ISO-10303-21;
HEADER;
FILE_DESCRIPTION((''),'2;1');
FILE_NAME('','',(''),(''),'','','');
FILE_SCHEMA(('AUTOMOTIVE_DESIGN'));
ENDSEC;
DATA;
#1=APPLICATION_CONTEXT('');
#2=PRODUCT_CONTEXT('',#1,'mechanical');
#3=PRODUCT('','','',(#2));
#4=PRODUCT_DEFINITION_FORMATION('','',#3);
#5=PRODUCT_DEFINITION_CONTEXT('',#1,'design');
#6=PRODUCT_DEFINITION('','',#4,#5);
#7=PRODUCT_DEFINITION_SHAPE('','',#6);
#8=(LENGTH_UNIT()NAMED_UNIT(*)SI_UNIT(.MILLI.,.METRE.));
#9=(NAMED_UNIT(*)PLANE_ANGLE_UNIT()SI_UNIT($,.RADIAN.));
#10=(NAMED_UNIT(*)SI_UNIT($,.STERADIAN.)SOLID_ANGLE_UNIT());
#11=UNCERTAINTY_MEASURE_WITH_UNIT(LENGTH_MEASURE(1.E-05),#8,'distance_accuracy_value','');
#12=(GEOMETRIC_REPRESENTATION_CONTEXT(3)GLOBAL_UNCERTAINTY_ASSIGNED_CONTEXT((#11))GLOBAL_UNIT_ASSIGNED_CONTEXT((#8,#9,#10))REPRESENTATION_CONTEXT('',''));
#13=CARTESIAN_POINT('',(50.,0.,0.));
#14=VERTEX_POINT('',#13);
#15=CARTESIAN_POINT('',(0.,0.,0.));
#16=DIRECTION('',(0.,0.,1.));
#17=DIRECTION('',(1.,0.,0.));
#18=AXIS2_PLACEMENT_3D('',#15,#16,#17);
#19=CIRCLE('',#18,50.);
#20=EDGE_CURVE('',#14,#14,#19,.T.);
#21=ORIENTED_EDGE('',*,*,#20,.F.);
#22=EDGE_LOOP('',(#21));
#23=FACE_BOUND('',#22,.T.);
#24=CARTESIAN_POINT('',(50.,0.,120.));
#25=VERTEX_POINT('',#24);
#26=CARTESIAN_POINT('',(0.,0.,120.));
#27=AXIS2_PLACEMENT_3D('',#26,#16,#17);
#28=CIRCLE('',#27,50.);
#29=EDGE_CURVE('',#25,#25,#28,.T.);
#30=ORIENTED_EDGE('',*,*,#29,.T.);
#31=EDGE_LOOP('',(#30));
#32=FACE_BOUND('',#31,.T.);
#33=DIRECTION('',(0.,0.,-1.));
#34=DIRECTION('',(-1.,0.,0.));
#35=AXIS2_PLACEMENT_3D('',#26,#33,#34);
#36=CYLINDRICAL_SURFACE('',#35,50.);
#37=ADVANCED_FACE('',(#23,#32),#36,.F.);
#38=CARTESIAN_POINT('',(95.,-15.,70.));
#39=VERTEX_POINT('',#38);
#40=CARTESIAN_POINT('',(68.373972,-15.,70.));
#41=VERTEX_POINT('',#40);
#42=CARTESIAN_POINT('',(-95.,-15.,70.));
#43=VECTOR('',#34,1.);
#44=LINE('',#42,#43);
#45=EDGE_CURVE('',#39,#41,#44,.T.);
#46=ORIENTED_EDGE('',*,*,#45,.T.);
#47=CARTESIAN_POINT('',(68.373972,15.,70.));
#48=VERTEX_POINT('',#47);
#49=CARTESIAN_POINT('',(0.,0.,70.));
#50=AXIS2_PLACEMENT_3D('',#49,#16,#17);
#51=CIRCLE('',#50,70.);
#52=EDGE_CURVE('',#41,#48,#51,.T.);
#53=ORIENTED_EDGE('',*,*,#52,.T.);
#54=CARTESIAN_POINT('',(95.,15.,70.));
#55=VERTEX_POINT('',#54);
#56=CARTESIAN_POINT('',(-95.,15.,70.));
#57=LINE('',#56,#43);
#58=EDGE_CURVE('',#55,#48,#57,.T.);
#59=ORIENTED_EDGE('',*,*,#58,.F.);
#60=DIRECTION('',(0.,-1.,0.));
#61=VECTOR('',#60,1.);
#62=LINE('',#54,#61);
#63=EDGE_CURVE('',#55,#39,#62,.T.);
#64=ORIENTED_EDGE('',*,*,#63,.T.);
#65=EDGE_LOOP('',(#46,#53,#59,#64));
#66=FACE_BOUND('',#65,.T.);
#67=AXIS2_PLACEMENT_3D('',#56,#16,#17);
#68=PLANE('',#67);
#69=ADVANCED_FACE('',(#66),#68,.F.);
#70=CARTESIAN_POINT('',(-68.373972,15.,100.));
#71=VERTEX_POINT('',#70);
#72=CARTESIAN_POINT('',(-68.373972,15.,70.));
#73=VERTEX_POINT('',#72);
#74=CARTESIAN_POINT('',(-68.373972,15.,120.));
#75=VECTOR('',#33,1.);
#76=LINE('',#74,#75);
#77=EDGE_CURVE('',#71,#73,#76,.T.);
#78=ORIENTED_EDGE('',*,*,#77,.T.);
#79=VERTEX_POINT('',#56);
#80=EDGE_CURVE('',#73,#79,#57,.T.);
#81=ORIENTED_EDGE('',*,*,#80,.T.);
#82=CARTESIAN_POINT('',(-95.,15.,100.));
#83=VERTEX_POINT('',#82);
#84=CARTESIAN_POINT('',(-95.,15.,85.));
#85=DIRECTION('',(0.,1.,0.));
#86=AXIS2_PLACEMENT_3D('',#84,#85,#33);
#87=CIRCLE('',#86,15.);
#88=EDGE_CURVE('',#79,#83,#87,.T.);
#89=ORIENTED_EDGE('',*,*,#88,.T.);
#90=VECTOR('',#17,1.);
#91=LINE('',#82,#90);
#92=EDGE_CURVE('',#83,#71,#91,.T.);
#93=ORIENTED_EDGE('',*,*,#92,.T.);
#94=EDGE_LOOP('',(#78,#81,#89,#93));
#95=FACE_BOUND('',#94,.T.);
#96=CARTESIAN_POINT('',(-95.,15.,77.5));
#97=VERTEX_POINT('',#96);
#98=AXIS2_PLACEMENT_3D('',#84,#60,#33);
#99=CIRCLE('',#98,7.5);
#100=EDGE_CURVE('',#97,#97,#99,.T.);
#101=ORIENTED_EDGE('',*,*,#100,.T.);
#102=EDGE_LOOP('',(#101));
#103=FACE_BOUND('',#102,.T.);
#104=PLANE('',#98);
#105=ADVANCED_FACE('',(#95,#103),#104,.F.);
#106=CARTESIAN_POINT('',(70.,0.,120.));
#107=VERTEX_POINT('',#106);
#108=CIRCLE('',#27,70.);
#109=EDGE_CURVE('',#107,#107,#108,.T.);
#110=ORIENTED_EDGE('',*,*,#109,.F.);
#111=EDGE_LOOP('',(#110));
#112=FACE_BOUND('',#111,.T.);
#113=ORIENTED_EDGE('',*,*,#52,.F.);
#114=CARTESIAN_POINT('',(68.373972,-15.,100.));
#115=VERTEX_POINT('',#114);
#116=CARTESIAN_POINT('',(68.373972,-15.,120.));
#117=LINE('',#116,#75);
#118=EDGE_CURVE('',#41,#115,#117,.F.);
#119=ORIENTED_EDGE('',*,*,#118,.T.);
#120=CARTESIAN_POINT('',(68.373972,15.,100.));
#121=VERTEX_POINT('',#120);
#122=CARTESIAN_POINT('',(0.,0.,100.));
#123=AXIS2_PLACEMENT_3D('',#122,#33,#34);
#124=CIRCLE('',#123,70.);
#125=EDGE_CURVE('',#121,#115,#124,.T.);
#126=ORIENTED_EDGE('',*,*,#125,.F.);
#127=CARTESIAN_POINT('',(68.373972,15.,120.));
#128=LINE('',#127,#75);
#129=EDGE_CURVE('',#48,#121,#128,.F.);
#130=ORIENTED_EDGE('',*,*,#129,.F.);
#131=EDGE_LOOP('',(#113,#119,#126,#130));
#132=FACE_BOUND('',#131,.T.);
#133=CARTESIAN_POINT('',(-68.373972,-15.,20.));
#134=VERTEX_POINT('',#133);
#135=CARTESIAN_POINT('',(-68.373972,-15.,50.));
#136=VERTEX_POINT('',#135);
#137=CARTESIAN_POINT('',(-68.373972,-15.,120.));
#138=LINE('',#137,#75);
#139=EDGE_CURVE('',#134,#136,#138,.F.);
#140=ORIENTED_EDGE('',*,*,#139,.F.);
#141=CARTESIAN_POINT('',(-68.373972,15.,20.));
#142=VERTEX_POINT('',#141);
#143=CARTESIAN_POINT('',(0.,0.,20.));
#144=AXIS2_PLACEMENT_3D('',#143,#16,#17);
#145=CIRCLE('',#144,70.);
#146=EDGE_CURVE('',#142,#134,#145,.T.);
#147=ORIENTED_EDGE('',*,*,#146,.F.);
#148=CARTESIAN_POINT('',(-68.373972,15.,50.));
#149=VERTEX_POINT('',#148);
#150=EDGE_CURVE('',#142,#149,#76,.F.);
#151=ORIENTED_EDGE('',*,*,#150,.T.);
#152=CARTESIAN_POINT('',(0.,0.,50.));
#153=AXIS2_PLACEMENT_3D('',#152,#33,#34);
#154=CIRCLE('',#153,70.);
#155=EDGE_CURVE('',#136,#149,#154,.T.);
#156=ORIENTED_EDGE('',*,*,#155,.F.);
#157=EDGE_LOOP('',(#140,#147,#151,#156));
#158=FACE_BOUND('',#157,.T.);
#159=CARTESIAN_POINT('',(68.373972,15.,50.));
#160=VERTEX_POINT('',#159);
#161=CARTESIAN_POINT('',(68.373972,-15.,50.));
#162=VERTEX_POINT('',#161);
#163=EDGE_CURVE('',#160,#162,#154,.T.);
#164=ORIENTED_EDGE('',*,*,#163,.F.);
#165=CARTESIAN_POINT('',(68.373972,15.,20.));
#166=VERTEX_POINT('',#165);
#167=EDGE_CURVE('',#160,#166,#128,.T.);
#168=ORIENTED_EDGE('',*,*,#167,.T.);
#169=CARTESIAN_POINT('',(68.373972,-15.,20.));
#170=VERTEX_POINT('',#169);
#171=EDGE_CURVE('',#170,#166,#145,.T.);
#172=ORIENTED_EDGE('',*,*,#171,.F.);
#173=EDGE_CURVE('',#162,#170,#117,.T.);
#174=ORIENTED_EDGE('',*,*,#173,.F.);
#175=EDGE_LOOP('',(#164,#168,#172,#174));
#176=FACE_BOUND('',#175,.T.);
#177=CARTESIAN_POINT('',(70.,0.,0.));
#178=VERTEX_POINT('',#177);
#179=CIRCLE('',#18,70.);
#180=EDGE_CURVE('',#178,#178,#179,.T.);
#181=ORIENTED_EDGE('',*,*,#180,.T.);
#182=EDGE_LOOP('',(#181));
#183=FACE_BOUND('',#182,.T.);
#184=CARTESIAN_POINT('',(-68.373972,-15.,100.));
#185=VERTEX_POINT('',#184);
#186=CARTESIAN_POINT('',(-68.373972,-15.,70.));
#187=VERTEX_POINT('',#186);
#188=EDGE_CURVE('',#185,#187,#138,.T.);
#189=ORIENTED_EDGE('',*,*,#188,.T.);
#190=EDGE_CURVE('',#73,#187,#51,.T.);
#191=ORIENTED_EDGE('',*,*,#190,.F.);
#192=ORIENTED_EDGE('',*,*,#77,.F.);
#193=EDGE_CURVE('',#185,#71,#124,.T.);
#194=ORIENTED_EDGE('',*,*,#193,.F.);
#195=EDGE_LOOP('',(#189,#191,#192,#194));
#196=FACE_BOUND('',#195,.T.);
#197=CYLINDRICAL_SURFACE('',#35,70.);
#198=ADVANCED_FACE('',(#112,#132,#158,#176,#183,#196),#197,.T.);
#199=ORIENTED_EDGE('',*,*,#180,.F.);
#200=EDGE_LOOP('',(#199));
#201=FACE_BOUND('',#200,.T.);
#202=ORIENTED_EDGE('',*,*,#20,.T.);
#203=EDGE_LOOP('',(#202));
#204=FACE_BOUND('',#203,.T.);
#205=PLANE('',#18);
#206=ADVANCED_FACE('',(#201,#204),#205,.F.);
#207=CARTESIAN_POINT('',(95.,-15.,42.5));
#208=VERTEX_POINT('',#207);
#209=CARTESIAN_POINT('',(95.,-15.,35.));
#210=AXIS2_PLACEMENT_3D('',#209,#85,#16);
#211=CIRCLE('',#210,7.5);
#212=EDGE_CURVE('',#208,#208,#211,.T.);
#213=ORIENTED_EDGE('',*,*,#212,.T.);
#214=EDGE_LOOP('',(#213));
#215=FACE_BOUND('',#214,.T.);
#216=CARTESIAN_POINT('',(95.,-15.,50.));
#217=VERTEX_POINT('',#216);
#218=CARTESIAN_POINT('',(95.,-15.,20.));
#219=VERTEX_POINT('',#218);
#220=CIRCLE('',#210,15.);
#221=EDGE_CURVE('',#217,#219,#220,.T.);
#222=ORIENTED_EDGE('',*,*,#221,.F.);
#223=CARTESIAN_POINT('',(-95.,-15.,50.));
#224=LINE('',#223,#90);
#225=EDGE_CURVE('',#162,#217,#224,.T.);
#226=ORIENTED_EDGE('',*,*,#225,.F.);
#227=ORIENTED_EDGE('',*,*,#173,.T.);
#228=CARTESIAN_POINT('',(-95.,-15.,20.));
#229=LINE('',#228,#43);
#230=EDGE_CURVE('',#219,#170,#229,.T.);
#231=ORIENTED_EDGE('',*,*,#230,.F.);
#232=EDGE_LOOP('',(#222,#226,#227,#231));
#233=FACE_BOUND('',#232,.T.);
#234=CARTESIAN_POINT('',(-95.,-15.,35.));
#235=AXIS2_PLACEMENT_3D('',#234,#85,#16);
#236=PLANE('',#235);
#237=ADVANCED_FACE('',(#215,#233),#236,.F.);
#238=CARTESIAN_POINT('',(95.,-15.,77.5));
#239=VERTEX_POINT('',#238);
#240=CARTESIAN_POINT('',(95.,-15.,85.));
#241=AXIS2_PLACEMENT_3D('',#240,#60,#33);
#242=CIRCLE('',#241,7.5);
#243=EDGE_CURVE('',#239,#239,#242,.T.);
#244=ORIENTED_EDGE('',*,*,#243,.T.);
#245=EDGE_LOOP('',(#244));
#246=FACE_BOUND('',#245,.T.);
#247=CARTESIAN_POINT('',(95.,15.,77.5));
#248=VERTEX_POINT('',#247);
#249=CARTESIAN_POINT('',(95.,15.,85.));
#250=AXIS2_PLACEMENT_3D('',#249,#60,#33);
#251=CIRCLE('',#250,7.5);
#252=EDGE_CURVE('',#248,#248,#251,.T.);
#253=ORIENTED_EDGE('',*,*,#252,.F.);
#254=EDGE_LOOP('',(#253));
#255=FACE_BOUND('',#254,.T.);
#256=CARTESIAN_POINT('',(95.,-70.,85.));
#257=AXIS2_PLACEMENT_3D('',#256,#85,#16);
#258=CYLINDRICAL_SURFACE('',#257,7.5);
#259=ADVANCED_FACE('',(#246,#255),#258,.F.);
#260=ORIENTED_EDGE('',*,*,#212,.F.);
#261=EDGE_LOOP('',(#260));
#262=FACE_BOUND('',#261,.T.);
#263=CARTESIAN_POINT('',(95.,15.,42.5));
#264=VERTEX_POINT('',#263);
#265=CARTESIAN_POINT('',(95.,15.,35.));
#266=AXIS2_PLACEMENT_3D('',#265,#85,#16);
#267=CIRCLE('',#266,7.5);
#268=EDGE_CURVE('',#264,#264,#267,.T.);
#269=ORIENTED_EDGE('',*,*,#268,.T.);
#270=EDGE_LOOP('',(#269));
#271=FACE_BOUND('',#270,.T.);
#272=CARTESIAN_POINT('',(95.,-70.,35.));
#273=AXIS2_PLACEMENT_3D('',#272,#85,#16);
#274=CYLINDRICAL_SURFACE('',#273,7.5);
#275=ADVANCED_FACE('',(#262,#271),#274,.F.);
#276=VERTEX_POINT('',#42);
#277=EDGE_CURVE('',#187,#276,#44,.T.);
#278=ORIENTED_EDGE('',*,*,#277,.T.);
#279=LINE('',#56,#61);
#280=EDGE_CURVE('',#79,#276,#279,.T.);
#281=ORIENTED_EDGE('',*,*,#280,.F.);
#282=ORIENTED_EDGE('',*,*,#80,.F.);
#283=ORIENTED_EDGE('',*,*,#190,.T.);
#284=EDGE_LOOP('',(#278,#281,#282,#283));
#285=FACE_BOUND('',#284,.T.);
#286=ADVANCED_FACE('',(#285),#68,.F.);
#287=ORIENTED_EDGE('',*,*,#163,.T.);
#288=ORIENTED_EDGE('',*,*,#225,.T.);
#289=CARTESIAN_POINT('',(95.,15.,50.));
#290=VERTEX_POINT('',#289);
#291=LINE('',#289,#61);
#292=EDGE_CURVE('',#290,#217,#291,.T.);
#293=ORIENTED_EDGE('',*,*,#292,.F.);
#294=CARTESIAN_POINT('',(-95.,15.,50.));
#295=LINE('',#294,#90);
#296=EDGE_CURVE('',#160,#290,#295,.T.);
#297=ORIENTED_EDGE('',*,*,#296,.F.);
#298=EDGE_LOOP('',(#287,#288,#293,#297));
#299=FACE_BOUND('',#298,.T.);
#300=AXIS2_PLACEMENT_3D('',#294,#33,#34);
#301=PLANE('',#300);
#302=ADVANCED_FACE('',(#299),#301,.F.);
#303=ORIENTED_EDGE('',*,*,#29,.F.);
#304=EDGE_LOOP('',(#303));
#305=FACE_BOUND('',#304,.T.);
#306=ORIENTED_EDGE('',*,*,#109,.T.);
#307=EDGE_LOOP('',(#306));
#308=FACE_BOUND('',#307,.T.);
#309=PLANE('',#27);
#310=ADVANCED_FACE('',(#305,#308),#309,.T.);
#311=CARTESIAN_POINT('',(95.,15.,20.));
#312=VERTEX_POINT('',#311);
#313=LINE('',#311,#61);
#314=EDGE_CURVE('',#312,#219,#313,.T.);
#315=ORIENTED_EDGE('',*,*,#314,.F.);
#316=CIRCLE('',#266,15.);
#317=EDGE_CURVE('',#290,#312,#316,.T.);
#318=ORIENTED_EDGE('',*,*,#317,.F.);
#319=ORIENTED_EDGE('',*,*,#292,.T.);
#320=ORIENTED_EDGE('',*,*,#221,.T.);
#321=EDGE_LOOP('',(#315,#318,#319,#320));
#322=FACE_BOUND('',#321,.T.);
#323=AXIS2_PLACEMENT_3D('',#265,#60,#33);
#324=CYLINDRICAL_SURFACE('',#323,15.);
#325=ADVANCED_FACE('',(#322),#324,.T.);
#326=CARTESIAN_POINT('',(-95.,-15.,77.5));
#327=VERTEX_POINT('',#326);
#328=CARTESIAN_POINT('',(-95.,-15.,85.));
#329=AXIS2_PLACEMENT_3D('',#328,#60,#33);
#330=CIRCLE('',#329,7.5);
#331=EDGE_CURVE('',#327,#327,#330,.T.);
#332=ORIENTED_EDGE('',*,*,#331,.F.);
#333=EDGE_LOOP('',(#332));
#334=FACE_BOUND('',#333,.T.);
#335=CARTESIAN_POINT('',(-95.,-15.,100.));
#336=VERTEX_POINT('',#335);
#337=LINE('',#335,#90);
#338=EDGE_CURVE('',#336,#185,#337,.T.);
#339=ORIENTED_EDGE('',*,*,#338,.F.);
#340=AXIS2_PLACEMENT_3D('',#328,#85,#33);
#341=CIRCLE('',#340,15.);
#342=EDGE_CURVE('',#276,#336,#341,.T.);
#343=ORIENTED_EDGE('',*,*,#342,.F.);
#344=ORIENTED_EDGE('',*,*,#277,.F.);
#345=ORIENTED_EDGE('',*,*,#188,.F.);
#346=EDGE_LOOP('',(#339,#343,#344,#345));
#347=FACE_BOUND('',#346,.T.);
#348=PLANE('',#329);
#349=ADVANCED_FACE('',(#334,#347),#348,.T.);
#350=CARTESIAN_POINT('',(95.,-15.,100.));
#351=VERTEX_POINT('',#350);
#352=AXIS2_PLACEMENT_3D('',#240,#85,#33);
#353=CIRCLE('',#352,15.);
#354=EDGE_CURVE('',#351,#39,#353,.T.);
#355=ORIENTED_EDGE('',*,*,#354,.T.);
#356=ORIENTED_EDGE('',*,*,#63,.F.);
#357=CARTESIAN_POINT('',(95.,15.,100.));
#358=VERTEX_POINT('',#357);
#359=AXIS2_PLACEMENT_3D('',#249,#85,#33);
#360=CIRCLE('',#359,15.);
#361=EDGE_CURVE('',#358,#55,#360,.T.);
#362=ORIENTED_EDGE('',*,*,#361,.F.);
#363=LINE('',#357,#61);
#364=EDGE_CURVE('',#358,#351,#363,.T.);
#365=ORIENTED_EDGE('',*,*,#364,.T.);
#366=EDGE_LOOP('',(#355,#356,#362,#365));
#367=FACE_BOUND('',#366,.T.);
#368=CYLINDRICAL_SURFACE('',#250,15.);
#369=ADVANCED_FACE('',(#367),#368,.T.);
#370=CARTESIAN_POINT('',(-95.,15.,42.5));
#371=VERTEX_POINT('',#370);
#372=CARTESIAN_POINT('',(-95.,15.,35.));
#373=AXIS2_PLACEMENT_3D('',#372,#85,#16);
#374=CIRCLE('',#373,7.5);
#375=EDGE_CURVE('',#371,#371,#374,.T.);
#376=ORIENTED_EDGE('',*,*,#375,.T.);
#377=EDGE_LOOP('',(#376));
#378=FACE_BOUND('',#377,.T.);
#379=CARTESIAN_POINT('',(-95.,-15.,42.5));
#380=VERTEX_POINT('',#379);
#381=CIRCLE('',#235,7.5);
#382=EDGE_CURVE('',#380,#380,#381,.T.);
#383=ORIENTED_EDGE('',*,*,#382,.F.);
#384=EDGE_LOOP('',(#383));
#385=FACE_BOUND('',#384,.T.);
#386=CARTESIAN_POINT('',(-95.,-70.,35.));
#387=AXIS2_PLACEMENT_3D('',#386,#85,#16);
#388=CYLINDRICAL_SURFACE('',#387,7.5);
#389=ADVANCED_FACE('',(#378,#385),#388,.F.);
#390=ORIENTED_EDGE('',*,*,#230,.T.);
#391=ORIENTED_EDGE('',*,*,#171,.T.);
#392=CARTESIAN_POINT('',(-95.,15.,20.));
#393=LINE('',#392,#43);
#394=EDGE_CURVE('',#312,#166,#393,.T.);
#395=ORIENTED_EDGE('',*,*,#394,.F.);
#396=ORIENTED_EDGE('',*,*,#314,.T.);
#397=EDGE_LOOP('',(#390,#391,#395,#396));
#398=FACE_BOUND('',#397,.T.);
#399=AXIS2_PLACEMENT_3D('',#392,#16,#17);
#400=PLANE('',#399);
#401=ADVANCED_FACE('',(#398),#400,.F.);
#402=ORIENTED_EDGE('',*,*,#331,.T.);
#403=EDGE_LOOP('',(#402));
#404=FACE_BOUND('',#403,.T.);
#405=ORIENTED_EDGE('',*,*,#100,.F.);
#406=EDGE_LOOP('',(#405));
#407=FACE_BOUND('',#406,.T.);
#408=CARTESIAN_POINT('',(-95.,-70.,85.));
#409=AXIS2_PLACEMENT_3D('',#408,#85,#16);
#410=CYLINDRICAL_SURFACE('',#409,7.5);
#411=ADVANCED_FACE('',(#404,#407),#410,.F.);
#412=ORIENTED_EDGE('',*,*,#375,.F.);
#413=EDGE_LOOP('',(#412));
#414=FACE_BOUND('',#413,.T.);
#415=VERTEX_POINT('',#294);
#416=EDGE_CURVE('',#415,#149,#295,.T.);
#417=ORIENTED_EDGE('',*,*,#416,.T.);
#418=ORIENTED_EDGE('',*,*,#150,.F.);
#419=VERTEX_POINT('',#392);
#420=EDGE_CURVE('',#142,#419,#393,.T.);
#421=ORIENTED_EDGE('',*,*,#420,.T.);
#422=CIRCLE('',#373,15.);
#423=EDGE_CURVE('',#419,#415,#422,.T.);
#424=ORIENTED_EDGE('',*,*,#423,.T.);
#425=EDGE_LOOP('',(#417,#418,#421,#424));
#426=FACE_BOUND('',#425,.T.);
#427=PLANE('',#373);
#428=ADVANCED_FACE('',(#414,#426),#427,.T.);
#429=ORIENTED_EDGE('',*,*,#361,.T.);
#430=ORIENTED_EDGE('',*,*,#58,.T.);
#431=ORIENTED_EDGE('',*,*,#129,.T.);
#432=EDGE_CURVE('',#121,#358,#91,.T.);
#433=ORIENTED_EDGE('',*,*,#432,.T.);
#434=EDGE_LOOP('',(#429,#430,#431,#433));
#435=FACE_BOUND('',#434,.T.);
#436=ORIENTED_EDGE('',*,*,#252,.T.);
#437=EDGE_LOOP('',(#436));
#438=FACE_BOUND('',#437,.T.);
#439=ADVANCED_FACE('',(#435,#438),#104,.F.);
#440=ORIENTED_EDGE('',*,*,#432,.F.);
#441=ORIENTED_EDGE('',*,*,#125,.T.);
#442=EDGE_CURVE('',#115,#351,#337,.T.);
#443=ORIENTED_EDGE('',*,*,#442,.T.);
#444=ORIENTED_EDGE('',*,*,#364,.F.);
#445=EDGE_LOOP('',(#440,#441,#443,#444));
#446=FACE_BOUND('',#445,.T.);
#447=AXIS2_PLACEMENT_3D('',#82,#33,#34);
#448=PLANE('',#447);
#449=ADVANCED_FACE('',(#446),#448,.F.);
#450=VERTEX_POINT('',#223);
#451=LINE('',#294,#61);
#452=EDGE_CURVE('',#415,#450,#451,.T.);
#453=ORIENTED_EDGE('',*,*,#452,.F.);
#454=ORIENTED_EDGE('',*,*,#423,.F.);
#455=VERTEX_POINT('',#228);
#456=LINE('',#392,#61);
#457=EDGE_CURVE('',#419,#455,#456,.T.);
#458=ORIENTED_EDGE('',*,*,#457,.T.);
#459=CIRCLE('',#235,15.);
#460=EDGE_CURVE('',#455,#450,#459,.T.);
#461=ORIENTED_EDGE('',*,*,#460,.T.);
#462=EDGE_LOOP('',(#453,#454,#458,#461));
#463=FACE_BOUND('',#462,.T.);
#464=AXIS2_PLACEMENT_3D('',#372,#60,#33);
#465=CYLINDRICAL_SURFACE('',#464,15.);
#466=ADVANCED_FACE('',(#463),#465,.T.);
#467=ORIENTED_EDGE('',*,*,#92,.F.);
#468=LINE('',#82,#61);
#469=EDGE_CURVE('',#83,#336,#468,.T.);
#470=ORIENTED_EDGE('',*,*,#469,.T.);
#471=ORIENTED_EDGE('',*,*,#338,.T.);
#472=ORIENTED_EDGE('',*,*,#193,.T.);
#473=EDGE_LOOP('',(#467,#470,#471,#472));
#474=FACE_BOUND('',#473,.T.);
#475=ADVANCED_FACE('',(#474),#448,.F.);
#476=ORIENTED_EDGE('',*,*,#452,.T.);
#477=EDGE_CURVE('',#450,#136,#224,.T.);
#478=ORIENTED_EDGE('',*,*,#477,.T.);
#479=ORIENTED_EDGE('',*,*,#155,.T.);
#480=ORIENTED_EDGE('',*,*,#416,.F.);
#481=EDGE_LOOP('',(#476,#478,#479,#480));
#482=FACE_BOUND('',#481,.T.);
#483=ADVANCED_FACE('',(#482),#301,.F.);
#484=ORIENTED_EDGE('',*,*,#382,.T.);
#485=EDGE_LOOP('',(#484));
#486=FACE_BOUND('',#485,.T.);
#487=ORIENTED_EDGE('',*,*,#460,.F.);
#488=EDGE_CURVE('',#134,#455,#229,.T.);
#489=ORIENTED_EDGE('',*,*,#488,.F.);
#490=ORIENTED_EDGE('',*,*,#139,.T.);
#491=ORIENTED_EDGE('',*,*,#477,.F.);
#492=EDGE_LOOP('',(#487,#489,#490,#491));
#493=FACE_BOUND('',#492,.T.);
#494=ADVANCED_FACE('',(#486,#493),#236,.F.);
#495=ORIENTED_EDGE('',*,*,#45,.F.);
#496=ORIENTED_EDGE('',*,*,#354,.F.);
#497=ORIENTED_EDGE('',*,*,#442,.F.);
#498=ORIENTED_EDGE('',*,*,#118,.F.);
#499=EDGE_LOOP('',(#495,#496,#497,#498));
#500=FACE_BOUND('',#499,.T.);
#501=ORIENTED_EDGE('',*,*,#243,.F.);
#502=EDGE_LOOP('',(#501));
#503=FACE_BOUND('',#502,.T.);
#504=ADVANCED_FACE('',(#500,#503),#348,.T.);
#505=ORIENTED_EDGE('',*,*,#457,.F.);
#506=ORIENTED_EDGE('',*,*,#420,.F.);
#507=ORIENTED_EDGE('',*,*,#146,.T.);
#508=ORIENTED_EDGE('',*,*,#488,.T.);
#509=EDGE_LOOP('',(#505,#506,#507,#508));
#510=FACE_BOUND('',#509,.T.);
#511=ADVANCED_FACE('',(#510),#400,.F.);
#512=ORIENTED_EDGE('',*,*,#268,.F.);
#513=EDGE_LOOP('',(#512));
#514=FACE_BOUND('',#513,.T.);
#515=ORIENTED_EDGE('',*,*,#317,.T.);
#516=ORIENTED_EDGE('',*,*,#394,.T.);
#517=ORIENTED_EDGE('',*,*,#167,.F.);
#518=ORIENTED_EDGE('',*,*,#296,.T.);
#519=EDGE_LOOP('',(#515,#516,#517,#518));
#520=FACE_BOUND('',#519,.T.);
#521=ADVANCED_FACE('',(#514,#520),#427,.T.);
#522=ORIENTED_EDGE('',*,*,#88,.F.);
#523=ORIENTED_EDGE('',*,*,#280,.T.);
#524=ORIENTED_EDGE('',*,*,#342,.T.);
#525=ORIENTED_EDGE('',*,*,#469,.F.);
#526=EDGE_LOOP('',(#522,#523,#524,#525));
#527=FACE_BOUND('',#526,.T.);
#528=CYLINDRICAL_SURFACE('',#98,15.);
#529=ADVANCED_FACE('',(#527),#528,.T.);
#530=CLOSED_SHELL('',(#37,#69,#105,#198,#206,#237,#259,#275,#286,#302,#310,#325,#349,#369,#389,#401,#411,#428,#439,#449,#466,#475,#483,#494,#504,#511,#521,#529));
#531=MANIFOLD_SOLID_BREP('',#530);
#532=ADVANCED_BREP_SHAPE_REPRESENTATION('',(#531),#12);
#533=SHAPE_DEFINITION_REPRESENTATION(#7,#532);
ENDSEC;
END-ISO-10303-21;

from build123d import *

# Parameters (mm, degrees)
SKETCH_1_R               = 70
EXTRUDE_1_DEPTH          = 120
SKETCH_3_R               = 50
CUT_EXTRUDE_1_DEPTH      = 121
EXTRUDE_2_DEPTH          = 15
SKETCH_5_R               = 7.5
CUT_EXTRUDE_2_DEPTH      = 71
CUT_EXTRUDE_2_DEPTH_BACK = 71
SKETCH_6_R               = 50
CUT_EXTRUDE_3_DEPTH      = 121


with BuildPart() as part:
    # 스케치1 → 보스-돌출1 (new body)
    with BuildSketch(Plane.XY):
        Circle(SKETCH_1_R)
    extrude(amount=EXTRUDE_1_DEPTH)

    # 스케치3 → 컷-돌출1 (cut, through all)
    with BuildSketch(Plane.XY):
        Circle(SKETCH_3_R)
    extrude(amount=CUT_EXTRUDE_1_DEPTH, mode=Mode.SUBTRACT)

    # 스케치4 → 보스-돌출2 (add, symmetric)
    with BuildSketch(Plane(origin=(0, 0, 0), x_dir=(1, 0, 0), z_dir=(0, 1, 0))):
        with BuildLine():
            Line((-95, -20), (95, -20))
            ThreePointArc((95, -20), (110, -35), (95, -50))
            Line((95, -50), (-95, -50))
            ThreePointArc((-95, -50), (-110, -35), (-95, -20))
        make_face()
        with BuildLine():
            Line((-95, -100), (95, -100))
            ThreePointArc((95, -100), (110, -85), (95, -70))
            Line((95, -70), (-95, -70))
            ThreePointArc((-95, -70), (-110, -85), (-95, -100))
        make_face()
    extrude(amount=EXTRUDE_2_DEPTH, both=True)

    # 스케치5 → 컷-돌출2 (cut, two sides)
    with BuildSketch(Plane(origin=(0, 0, 0), x_dir=(1, 0, 0), z_dir=(0, 1, 0))) as cut_extrude_2_sk:
        with Locations((95, -35)):
            Circle(SKETCH_5_R)
        with Locations((95, -85)):
            Circle(SKETCH_5_R)
        with Locations((-95, -35)):
            Circle(SKETCH_5_R)
        with Locations((-95, -85)):
            Circle(SKETCH_5_R)
    extrude(amount=CUT_EXTRUDE_2_DEPTH, mode=Mode.SUBTRACT)
    extrude(cut_extrude_2_sk.sketch, amount=-CUT_EXTRUDE_2_DEPTH_BACK, mode=Mode.SUBTRACT)

    # 스케치6 → 컷-돌출3 (cut, through all)
    with BuildSketch(Plane.XY):
        Circle(SKETCH_6_R)
    extrude(amount=CUT_EXTRUDE_3_DEPTH, mode=Mode.SUBTRACT)


solid = part.part
